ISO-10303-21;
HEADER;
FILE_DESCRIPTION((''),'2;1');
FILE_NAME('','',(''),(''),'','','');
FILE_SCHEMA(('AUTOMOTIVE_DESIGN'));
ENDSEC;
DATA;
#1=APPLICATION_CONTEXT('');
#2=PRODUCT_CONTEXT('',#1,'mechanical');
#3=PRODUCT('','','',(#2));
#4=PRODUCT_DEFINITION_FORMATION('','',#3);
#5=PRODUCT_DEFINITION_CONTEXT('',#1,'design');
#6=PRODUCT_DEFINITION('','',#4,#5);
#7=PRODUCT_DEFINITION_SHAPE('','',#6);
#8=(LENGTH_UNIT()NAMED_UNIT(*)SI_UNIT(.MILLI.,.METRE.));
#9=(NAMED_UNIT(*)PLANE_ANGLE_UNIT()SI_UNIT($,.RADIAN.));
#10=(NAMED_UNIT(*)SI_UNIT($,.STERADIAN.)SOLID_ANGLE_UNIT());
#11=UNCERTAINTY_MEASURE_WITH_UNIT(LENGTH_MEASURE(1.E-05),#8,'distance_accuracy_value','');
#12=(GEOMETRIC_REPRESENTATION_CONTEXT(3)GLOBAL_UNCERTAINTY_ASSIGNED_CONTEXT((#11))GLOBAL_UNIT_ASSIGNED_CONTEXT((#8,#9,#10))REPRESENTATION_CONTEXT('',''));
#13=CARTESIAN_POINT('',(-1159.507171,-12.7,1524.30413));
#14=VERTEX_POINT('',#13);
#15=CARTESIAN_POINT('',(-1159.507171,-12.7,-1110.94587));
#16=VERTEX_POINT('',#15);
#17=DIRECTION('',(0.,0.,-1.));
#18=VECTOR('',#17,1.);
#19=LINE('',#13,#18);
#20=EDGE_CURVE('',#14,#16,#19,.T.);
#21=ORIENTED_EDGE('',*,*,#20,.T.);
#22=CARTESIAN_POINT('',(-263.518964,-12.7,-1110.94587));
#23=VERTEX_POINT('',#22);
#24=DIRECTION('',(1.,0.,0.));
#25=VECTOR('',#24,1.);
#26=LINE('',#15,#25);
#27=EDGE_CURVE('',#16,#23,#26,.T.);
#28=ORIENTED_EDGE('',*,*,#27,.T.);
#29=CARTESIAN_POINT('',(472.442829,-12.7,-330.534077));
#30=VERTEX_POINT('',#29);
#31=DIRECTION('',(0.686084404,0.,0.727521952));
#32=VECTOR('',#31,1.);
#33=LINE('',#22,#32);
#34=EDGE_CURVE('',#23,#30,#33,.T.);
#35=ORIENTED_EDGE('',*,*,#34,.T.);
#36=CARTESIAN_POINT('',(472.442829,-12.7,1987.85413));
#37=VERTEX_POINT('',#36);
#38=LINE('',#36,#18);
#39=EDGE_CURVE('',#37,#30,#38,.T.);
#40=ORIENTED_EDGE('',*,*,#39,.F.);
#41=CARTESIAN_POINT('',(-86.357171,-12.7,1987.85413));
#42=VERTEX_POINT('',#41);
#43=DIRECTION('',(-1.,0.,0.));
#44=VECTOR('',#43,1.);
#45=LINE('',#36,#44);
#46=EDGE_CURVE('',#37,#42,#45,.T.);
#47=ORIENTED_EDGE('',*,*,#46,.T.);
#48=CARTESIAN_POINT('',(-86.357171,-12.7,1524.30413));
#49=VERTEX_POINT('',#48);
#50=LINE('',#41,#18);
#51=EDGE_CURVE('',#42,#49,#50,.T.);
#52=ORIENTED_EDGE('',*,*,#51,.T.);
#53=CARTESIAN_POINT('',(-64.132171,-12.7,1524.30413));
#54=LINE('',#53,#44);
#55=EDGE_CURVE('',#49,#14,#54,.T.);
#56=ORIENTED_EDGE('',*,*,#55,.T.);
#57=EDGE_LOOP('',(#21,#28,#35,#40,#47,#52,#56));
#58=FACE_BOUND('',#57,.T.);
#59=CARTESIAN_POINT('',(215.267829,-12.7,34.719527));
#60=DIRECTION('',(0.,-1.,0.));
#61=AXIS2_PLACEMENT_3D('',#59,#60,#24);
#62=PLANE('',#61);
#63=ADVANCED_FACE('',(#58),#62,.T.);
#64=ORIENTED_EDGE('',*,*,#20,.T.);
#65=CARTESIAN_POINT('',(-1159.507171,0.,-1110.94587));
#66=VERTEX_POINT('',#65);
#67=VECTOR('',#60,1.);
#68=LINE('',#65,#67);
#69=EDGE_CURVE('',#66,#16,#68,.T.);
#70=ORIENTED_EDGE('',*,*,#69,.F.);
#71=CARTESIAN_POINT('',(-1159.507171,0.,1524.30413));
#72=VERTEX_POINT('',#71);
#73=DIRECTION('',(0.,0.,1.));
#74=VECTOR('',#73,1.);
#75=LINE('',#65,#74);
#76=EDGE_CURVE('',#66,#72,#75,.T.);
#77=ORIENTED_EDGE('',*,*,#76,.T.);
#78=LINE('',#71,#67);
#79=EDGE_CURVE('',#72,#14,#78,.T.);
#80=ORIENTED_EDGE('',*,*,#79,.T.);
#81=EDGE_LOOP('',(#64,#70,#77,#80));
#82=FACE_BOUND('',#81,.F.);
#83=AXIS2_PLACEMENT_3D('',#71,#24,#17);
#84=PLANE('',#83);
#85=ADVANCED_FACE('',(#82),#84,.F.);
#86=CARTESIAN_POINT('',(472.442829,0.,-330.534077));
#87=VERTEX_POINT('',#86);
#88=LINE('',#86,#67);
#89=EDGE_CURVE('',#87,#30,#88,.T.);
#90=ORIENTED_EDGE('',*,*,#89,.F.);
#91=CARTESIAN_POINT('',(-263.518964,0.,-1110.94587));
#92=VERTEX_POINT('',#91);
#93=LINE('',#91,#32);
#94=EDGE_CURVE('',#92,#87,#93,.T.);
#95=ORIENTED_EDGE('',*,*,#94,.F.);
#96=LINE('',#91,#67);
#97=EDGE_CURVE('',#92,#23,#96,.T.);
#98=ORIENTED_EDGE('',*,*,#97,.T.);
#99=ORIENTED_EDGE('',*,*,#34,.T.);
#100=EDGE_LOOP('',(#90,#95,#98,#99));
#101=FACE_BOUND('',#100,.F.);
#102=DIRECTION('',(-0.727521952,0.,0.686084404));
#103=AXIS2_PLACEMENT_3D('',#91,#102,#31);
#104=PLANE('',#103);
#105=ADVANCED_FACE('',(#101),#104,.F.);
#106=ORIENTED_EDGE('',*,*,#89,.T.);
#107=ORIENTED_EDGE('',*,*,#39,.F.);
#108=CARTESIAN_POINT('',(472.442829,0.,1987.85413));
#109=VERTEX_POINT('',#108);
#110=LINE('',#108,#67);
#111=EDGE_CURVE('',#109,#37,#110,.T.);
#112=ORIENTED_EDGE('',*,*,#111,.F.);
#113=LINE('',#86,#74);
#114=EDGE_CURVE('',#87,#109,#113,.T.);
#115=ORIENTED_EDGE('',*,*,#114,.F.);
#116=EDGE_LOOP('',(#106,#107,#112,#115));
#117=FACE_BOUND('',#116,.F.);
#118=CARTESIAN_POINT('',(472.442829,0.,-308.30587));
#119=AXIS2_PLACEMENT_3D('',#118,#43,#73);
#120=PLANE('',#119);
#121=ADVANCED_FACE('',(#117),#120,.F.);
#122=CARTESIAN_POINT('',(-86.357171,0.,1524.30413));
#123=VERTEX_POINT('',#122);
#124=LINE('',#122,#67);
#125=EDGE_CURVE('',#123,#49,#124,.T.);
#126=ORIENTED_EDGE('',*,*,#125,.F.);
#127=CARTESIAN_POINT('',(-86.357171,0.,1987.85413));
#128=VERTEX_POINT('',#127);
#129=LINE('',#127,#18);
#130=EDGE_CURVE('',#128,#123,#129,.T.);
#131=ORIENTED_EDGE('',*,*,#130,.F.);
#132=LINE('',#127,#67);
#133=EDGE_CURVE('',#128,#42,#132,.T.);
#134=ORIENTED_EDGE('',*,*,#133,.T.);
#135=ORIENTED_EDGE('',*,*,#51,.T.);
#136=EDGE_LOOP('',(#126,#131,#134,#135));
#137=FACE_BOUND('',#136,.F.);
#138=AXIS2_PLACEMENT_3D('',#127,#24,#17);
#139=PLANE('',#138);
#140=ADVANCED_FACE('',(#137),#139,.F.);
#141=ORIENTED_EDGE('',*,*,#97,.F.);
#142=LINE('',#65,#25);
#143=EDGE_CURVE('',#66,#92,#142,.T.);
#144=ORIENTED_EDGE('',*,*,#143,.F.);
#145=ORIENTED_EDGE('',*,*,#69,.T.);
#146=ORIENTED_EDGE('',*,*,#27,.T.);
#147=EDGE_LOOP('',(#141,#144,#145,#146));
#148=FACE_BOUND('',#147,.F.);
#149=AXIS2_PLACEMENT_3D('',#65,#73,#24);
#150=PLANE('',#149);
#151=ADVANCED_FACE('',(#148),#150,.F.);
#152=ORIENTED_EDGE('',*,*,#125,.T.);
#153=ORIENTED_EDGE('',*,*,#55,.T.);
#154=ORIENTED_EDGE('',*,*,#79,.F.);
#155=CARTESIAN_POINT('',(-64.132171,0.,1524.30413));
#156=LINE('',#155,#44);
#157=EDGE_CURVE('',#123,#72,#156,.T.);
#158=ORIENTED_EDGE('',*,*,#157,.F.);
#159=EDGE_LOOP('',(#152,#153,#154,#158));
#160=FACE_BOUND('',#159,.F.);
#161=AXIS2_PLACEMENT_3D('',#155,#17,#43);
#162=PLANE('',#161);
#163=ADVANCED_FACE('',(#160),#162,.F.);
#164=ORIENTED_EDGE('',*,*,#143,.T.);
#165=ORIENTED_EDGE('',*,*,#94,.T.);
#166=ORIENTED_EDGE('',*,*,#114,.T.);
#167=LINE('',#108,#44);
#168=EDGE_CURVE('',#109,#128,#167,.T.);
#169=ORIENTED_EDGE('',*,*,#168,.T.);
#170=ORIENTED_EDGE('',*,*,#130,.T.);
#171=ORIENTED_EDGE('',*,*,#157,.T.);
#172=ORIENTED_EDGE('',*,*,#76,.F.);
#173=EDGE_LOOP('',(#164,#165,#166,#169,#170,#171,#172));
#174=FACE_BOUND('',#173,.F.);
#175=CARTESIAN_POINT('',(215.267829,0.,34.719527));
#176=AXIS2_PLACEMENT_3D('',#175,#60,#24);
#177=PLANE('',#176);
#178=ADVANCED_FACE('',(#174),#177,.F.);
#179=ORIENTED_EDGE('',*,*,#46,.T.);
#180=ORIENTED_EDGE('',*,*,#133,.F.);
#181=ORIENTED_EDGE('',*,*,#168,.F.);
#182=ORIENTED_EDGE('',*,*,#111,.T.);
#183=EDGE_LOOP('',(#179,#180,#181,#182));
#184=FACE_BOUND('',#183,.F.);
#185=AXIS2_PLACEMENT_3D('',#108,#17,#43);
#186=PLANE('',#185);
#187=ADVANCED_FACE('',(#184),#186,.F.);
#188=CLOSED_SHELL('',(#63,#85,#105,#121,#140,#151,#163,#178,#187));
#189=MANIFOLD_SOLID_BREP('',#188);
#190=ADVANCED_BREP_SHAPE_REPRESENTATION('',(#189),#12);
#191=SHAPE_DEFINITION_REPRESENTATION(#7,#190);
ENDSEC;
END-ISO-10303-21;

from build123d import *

# Parameters (mm, degrees)
F0_W     = 381
F0_H     = 780.4117928475
F0_W_2   = 44.45
F0_W_3   = 381.6382071525
F1_DEPTH = 12.7
F0_W_4   = 492.125
F0_H_2   = 867.0322071525
F0_H_3   = 44.45
F0_H_4   = 854.456
F2_DEPTH = 12.7
F0_W_5   = 514.35
F0_H_5   = 641.6072071525
F0_H_6   = 629.031
F0_H_7   = 406.4
F0_H_8   = 419.1
F3_DEPTH = 12.7


with BuildPart() as f1:
    # F0 (on Front) → F1 (new body)
    with BuildSketch(Plane.XZ):
        Polygon((-1159.5071711258, -308.3058698438), (-1159.5071711258, -1110.9458698438), (-1115.0571711258, -1110.9458698438), (-1115.0571711258, -330.5340769963), (-1115.0571711258, -308.3058698438), align=None)
        with Locations((-924.5571711258, -720.73997342)):
            Rectangle(F0_W, F0_H)
        Polygon((-64.1321711258, -308.3058698438), (-1115.0571711258, -308.3058698438), (-1115.0571711258, -330.5340769963), (-734.0571711258, -330.5340769963), (-689.6071711258, -330.5340769963), (-307.9689639733, -330.5340769963), (-263.5189639733, -330.5340769963), (472.4428288742, -330.5340769963), (472.4428288742, -308.3058698438), align=None)
        with Locations((-711.8321711258, -720.73997342)):
            Rectangle(F0_W_2, F0_H)
        with Locations((-285.7439639733, -720.73997342)):
            Rectangle(F0_W_2, F0_H)
        with Locations((-498.7880675496, -720.73997342)):
            Rectangle(F0_W_3, F0_H)
        Polygon((-263.5189639733, -330.5340769963), (-263.5189639733, -1110.9458698438), (472.4428288742, -330.5340769963), align=None)
    extrude(amount=F1_DEPTH)

    # F0 (on Front) → F2 (join)
    with BuildSketch(Plane.XZ):
        with Locations((-868.9946711258, 147.43202658)):
            Rectangle(F0_W_4, F0_H_2)
        with Locations((-332.4196711258, 147.43202658)):
            Rectangle(F0_W_4, F0_H_2)
        Polygon((-578.4821711258, 1479.8541301562), (-622.9321711258, 1479.8541301562), (-622.9321711258, 625.3981301562), (-622.9321711258, 580.9481301562), (-622.9321711258, -286.0840769963), (-578.4821711258, -286.0840769963), (-578.4821711258, 580.9481301562), (-578.4821711258, 625.3981301562), align=None)
        Polygon((-1115.0571711258, -286.0840769963), (-1115.0571711258, -308.3058698438), (-64.1321711258, -308.3058698438), (-64.1321711258, -286.0840769963), (-86.3571711258, -286.0840769963), (-578.4821711258, -286.0840769963), (-622.9321711258, -286.0840769963), align=None)
        Polygon((-64.1321711258, 1524.3041301562), (-86.3571711258, 1524.3041301562), (-86.3571711258, 1479.8541301562), (-86.3571711258, 625.3981301562), (-86.3571711258, 580.9481301562), (-86.3571711258, -286.0840769963), (-64.1321711258, -286.0840769963), align=None)
        with Locations((-332.4196711258, 603.1731301562)):
            Rectangle(F0_W_4, F0_H_3)
        with Locations((-868.9946711258, 603.1731301562)):
            Rectangle(F0_W_4, F0_H_3)
        with Locations((-868.9946711258, 1052.6261301562)):
            Rectangle(F0_W_4, F0_H_4)
        with Locations((-332.4196711258, 1052.6261301562)):
            Rectangle(F0_W_4, F0_H_4)
        Polygon((-1159.5071711258, 1524.3041301562), (-1159.5071711258, 1479.8541301562), (-1115.0571711258, 1479.8541301562), (-622.9321711258, 1479.8541301562), (-578.4821711258, 1479.8541301562), (-86.3571711258, 1479.8541301562), (-86.3571711258, 1524.3041301562), align=None)
        Polygon((-1159.5071711258, 1479.8541301562), (-1159.5071711258, -308.3058698438), (-1115.0571711258, -308.3058698438), (-1115.0571711258, -286.0840769963), (-1115.0571711258, 580.9481301562), (-1115.0571711258, 625.3981301562), (-1115.0571711258, 1479.8541301562), align=None)
    extrude(amount=F2_DEPTH)

    # F0 (on Front) → F3 (join)
    with BuildSketch(Plane.XZ):
        with Locations((215.2678288742, 34.71952658)):
            Rectangle(F0_W_5, F0_H_5)
        with Locations((215.2678288742, 377.7481301562)):
            Rectangle(F0_W_5, F0_H_3)
        with Locations((215.2678288742, 714.4886301562)):
            Rectangle(F0_W_5, F0_H_6)
        with Locations((215.2678288742, 1276.6541301562)):
            Rectangle(F0_W_5, F0_H_7)
        with Locations((215.2678288742, 1051.2291301562)):
            Rectangle(F0_W_5, F0_H_3)
        Polygon((-86.3571711258, 1987.8541301562), (-86.3571711258, 1524.3041301562), (-64.1321711258, 1524.3041301562), (-64.1321711258, -286.0840769963), (-41.9071711258, -286.0840769963), (-41.9071711258, 355.5231301562), (-41.9071711258, 399.9731301562), (-41.9071711258, 1029.0041301562), (-41.9071711258, 1073.4541301562), (-41.9071711258, 1479.8541301562), (-41.9071711258, 1524.3041301562), (-41.9071711258, 1943.4041301562), (-41.9071711258, 1987.8541301562), (-64.1321711258, 1987.8541301562), align=None)
        Polygon((-64.1321711258, -286.0840769963), (-64.1321711258, -308.3058698438), (472.4428288742, -308.3058698438), (472.4428288742, -286.0840769963), (-41.9071711258, -286.0840769963), align=None)
        with Locations((215.2678288742, 1502.0791301562)):
            Rectangle(F0_W_5, F0_H_3)
        with Locations((215.2678288742, 1965.6291301562)):
            Rectangle(F0_W_5, F0_H_3)
        with Locations((215.2678288742, 1733.8541301562)):
            Rectangle(F0_W_5, F0_H_8)
    extrude(amount=F3_DEPTH)


solid = f1.part
